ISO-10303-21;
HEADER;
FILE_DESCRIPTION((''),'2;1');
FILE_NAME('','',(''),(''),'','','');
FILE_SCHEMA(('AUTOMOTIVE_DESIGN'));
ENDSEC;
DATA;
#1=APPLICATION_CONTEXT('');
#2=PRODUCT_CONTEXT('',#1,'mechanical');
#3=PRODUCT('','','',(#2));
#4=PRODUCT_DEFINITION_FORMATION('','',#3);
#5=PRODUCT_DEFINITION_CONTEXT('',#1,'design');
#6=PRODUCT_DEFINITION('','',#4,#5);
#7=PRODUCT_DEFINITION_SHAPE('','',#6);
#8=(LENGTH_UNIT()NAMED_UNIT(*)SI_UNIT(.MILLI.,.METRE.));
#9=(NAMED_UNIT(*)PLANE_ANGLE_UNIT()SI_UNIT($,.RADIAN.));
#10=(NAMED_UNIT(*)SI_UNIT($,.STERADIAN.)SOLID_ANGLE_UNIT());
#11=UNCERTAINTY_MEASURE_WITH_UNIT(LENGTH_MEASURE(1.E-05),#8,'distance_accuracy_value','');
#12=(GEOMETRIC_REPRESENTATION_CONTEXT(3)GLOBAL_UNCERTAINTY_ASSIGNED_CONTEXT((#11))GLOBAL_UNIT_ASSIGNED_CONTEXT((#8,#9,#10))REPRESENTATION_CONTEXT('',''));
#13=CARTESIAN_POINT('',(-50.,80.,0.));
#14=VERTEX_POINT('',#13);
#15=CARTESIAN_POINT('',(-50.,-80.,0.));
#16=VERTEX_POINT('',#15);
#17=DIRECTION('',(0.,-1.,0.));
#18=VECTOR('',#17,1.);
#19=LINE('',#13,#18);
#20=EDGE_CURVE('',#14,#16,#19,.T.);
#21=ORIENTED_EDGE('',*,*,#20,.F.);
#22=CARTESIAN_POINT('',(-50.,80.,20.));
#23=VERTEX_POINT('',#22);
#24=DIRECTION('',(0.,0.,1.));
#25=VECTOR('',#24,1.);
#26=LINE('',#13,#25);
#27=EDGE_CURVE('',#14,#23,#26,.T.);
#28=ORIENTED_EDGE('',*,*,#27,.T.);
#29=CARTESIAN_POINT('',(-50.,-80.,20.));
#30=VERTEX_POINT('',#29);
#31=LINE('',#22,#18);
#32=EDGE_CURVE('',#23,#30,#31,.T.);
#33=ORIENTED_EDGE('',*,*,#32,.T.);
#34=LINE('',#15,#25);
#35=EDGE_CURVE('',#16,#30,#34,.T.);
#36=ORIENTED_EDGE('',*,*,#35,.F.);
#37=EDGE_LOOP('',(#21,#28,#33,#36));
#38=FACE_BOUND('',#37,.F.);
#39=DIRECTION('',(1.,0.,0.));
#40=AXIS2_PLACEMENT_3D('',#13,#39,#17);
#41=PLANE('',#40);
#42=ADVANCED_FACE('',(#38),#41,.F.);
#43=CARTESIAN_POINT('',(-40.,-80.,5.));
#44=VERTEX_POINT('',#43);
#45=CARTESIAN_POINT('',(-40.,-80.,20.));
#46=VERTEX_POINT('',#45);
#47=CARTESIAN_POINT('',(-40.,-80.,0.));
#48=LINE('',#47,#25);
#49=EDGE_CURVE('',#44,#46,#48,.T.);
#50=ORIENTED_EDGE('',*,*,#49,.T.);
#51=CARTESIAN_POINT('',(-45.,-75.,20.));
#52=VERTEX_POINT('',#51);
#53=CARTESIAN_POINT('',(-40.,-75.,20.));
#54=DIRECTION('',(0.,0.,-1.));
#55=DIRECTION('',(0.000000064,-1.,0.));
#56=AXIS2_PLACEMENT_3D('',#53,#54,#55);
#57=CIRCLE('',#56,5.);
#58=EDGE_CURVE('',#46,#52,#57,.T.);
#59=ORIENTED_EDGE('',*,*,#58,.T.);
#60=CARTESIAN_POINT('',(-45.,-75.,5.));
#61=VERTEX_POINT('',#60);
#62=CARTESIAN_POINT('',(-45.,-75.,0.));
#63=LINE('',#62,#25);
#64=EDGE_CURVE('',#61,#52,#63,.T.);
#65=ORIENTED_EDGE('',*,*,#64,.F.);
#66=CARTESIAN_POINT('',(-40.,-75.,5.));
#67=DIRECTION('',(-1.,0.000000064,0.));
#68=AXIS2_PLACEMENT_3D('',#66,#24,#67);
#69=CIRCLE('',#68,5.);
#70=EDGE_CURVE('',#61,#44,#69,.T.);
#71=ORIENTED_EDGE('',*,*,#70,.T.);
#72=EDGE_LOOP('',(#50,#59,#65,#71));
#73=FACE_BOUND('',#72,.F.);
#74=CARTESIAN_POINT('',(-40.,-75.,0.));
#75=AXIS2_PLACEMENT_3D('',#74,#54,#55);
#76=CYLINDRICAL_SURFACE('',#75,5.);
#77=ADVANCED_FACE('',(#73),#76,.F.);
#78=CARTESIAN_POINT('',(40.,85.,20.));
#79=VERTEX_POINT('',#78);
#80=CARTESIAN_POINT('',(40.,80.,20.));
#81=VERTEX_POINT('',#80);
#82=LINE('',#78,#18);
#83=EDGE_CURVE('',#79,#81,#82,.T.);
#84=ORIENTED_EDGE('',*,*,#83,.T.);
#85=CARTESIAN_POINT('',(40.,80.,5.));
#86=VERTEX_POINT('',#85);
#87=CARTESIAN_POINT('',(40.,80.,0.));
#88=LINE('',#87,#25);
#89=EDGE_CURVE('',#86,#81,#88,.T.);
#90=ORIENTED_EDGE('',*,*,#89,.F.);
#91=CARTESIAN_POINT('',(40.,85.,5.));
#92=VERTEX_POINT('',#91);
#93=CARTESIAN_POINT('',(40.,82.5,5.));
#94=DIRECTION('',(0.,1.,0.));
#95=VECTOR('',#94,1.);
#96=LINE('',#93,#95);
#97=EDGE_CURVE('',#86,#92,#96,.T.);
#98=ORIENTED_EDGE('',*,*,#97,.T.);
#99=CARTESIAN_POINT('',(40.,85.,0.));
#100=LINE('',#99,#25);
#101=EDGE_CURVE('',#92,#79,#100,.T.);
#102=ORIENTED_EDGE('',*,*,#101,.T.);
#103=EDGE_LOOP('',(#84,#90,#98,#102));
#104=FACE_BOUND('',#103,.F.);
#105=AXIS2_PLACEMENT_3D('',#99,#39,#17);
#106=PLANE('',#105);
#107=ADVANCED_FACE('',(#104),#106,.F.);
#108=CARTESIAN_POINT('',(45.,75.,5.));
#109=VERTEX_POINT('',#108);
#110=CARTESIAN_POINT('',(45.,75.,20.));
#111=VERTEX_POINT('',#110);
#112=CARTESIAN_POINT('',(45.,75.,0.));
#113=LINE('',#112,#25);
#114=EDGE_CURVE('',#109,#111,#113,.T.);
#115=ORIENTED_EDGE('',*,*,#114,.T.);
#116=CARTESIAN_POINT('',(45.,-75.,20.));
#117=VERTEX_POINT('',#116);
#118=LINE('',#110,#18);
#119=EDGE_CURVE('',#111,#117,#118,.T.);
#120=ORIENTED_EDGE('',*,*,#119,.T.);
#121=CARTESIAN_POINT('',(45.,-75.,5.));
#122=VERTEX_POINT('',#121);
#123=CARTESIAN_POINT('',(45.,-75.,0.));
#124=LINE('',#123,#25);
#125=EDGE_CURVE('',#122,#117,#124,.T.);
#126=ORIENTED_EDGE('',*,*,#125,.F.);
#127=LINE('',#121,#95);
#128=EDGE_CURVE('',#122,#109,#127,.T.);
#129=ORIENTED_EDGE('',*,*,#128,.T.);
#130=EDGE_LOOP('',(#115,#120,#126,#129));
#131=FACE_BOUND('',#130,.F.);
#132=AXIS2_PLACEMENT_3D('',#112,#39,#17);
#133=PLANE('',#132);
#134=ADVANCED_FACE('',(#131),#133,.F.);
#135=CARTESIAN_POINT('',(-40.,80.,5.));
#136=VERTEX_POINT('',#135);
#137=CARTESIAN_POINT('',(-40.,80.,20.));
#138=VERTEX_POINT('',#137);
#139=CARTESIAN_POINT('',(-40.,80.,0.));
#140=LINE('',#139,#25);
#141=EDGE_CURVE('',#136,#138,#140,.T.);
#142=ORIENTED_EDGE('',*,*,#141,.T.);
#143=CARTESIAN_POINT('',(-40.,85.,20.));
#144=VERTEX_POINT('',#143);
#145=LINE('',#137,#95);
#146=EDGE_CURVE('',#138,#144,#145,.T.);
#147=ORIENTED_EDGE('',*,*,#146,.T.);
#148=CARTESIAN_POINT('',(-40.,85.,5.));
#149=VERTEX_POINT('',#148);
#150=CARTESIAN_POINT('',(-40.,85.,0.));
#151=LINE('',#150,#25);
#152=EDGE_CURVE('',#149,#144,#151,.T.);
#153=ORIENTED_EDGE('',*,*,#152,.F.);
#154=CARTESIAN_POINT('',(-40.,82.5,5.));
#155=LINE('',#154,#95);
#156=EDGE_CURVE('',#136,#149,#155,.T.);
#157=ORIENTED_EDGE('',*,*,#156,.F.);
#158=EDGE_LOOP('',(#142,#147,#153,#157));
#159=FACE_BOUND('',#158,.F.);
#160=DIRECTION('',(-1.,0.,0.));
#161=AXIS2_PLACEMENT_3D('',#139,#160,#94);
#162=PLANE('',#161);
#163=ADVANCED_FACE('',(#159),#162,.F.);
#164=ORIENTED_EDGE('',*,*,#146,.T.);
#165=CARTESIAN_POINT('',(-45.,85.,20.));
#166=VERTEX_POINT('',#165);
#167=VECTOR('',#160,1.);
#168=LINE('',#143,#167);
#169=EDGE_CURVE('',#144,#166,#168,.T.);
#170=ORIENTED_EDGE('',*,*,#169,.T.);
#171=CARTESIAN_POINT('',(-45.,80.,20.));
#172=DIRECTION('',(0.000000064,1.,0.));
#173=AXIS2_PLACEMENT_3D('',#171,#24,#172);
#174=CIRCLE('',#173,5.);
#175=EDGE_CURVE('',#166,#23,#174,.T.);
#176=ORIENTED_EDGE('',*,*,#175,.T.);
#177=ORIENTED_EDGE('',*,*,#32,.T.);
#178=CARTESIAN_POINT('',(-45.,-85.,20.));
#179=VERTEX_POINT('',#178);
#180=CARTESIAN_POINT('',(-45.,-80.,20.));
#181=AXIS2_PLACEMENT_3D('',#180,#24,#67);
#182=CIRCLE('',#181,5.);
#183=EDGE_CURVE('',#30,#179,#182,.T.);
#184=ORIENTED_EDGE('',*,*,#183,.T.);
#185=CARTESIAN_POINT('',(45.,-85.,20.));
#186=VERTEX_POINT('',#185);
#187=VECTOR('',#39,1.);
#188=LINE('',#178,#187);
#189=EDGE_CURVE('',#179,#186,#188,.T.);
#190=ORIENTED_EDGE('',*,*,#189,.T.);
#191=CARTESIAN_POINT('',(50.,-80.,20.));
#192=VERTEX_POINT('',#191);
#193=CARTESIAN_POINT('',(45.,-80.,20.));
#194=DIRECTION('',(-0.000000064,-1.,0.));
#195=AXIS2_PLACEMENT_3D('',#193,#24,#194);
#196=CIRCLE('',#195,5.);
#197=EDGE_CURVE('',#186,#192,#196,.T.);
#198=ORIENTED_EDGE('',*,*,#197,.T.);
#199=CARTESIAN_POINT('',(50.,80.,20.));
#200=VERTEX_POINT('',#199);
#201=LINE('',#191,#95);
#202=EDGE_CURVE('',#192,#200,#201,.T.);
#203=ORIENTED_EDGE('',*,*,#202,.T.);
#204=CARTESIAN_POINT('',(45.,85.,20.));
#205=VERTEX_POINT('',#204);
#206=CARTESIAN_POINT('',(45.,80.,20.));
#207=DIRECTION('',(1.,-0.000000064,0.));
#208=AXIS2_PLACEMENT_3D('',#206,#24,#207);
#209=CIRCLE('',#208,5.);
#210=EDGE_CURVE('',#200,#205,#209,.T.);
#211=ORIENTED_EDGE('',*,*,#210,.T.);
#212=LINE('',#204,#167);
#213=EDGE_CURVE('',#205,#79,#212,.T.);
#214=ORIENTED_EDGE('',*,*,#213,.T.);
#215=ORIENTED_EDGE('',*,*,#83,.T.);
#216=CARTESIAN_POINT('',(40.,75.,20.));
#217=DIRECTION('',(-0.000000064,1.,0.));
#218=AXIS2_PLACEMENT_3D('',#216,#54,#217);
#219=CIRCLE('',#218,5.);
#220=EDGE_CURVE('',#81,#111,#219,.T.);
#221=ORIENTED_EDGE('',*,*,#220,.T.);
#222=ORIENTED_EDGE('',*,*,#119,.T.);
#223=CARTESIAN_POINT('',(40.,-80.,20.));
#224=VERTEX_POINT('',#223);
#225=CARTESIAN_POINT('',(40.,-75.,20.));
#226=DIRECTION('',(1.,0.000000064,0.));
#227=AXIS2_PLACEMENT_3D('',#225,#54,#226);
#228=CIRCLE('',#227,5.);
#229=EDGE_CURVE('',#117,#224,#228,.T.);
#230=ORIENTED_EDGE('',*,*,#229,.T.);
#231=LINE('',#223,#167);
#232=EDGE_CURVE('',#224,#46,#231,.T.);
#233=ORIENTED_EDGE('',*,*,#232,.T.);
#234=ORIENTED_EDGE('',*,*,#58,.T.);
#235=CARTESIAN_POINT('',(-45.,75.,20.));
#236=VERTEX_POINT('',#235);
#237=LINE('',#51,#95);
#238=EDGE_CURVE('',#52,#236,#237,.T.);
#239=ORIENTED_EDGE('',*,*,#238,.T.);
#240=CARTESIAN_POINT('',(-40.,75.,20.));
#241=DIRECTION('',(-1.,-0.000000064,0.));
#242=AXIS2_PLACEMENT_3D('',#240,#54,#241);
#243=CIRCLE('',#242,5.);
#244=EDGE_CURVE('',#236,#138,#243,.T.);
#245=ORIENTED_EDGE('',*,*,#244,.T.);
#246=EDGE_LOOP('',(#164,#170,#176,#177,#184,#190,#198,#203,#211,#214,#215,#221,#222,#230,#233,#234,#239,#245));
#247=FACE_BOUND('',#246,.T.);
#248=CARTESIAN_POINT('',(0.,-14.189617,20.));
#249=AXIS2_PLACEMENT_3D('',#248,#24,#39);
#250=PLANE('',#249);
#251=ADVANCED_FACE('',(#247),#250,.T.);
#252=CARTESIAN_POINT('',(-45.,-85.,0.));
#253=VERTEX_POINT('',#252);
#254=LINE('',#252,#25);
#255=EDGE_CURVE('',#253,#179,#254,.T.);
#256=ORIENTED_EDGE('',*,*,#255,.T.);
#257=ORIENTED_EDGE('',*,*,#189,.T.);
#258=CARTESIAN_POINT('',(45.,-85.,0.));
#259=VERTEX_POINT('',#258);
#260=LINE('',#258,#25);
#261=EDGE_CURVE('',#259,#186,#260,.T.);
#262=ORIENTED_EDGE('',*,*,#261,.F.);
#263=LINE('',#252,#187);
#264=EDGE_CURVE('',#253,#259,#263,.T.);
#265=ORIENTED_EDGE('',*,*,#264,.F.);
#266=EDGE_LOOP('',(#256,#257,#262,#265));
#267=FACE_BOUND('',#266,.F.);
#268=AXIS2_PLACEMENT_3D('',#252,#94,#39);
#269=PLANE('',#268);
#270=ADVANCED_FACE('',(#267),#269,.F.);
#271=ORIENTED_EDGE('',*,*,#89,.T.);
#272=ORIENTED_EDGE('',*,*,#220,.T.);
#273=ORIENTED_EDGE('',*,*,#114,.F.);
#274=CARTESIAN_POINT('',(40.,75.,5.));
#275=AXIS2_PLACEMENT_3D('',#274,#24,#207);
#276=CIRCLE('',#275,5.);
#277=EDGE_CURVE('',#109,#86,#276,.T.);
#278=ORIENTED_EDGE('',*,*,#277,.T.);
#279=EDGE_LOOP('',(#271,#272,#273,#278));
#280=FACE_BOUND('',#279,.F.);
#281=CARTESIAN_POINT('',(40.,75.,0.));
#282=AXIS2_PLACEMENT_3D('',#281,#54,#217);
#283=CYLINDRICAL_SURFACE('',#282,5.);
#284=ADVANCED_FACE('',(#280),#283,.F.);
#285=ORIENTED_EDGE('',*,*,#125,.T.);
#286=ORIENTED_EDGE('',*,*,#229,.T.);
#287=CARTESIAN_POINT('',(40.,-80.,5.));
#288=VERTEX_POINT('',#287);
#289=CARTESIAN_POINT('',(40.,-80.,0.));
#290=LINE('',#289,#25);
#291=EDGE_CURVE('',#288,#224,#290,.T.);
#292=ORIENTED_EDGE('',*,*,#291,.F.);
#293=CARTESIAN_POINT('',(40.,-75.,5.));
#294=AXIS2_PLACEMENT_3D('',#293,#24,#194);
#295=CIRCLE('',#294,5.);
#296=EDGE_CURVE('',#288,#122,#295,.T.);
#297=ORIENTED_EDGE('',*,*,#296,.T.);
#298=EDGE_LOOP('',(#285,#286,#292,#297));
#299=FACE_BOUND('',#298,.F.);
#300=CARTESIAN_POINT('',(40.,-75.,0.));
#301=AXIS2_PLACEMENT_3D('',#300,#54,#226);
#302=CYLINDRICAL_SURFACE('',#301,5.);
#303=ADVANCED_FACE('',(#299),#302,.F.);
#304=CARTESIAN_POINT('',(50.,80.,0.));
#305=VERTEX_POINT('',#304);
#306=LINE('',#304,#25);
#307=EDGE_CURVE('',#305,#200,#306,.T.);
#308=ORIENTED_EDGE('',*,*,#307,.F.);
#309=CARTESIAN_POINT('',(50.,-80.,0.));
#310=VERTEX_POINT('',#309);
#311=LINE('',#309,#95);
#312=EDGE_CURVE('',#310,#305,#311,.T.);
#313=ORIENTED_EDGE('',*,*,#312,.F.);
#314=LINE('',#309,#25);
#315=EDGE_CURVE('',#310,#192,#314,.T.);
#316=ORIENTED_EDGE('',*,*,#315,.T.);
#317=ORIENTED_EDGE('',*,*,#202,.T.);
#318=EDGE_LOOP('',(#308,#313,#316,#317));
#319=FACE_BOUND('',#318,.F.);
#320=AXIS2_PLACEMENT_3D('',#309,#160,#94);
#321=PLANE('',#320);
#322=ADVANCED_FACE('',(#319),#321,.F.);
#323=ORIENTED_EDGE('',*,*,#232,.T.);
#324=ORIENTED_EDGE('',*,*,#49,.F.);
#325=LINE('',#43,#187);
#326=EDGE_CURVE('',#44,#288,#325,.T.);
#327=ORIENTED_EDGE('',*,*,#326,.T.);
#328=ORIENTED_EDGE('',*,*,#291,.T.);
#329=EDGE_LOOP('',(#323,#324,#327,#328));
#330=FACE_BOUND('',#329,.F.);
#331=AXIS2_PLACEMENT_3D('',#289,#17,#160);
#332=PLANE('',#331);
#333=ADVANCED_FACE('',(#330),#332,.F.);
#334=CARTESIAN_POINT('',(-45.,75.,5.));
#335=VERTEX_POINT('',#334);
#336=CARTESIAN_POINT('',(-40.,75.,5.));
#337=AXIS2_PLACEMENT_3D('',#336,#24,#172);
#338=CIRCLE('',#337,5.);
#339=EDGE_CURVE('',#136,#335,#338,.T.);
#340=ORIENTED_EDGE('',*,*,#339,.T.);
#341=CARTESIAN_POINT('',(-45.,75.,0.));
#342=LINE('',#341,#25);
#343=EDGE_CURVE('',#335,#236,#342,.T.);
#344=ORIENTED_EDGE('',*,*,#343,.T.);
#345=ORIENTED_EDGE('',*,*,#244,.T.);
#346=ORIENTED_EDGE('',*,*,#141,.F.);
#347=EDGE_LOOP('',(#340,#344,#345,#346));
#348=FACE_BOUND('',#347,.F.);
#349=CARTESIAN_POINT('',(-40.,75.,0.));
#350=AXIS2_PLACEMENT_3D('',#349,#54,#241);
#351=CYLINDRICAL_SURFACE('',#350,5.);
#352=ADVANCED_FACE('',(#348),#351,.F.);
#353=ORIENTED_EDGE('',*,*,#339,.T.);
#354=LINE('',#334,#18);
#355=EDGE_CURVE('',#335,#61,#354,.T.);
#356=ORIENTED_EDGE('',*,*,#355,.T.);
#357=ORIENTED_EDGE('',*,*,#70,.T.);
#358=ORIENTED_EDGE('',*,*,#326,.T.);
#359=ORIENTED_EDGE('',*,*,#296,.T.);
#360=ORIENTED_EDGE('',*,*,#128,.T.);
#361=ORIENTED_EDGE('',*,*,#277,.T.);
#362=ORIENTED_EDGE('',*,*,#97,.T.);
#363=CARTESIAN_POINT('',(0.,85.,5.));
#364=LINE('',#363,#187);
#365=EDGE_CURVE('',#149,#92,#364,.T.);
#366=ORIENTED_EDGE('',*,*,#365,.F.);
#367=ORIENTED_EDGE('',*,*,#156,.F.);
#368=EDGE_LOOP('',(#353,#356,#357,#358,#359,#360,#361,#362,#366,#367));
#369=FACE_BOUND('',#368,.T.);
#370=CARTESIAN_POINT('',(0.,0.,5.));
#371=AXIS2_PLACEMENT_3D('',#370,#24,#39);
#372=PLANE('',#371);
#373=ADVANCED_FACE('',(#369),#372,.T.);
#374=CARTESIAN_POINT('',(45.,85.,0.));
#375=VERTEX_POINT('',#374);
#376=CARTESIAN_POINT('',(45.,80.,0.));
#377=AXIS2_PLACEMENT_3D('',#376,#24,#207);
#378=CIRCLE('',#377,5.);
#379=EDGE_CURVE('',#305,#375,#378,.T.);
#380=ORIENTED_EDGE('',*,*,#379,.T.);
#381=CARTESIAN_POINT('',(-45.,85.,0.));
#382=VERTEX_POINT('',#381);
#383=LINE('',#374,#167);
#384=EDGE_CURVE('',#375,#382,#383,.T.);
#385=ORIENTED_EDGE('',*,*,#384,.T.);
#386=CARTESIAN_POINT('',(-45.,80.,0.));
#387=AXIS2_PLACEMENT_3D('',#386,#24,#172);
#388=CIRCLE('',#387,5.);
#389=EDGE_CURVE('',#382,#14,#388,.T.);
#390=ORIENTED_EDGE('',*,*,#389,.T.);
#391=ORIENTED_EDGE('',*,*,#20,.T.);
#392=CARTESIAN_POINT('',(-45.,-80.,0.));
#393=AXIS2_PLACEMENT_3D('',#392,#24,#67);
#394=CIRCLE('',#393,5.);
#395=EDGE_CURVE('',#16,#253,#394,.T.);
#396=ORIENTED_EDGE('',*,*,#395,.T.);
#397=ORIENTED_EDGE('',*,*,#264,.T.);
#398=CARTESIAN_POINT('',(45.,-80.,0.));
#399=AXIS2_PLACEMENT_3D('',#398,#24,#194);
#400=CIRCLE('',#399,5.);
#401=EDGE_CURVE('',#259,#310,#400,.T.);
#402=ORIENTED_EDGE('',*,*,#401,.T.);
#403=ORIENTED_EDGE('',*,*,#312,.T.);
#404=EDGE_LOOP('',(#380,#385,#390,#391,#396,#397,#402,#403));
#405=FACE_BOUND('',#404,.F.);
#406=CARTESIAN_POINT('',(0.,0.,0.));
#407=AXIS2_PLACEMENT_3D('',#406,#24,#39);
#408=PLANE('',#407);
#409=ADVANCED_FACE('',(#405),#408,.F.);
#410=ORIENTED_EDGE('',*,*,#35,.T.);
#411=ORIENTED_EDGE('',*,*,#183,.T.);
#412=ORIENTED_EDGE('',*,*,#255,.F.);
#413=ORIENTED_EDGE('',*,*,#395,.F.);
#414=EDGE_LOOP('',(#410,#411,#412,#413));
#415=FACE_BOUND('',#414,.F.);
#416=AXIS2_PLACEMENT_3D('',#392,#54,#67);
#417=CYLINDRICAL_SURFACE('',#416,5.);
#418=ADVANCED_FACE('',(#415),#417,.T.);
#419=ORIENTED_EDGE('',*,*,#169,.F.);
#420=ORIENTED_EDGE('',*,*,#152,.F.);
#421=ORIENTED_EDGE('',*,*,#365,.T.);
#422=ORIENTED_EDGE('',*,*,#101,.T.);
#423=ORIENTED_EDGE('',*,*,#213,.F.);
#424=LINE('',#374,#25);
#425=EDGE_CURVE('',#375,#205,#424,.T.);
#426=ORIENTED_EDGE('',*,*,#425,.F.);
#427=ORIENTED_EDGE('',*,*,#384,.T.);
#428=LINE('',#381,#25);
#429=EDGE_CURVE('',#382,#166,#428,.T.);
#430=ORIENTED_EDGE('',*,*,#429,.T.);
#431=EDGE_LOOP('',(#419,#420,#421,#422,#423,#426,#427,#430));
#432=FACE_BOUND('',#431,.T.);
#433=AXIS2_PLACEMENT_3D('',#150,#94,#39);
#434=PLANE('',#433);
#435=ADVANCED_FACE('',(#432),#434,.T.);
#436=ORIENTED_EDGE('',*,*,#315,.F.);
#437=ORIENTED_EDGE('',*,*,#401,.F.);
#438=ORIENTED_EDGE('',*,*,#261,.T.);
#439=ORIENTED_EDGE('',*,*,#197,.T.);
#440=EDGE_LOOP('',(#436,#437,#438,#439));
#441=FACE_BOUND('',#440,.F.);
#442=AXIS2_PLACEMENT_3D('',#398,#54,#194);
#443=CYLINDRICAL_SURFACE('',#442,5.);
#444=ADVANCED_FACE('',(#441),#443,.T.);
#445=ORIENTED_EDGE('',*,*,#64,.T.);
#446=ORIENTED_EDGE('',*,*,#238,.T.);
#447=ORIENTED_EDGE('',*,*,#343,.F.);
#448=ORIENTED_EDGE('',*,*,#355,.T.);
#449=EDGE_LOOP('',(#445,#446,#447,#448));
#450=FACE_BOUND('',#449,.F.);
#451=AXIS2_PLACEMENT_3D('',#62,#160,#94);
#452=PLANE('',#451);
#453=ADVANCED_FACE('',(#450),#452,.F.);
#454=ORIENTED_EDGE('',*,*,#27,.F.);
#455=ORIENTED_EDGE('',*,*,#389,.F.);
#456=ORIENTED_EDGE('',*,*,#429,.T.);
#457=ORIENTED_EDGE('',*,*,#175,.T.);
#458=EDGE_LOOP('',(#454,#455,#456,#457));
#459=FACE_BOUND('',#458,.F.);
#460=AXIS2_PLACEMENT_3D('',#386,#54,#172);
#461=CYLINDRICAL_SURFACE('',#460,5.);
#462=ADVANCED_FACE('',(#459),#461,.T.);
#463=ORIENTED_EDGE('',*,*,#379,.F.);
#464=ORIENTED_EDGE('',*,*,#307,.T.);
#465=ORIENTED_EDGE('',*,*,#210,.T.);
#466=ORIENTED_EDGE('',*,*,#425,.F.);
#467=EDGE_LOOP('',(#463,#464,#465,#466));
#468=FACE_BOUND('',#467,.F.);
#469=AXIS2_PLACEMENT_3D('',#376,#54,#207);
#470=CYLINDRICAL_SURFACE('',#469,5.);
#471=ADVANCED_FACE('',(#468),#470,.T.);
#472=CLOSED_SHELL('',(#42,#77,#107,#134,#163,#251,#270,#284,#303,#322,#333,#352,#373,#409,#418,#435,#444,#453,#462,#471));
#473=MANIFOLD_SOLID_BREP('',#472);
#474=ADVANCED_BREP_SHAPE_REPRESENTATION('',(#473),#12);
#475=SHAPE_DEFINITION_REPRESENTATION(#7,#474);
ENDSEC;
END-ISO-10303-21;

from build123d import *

# Parameters (mm, degrees)
F1_DEPTH = 20
F0_W     = 80
F0_H     = 5
F2_DEPTH = 5


with BuildPart() as f1:
    # F0 (on Top) → F1 (new body)
    with BuildSketch(Plane.XY):
        with BuildLine():
            ThreePointArc((-50, -80), (-48.535534, -83.535534), (-45, -85))
            Line((-45, -85), (45, -85))
            ThreePointArc((45, -85), (48.535534, -83.535534), (50, -80))
            Line((50, -80), (50, 80))
            ThreePointArc((50, 80), (48.535534, 83.535534), (45, 85))
            Line((45, 85), (40, 85))
            Line((40, 85), (40, 80))
            ThreePointArc((40, 80), (43.535534, 78.535534), (45, 75))
            Line((45, 75), (45, -75))
            ThreePointArc((45, -75), (43.535534, -78.535534), (40, -80))
            Line((40, -80), (-40, -80))
            ThreePointArc((-40, -80), (-43.535534, -78.535534), (-45, -75))
            Line((-45, -75), (-45, 75))
            ThreePointArc((-45, 75), (-43.535534, 78.535534), (-40, 80))
            Line((-40, 80), (-40, 85))
            Line((-40, 85), (-45, 85))
            ThreePointArc((-45, 85), (-48.535534, 83.535534), (-50, 80))
            Line((-50, 80), (-50, -80))
        make_face()
    extrude(amount=F1_DEPTH)

    # F0 (on Top) → F2 (join)
    with BuildSketch(Plane.XY):
        with BuildLine():
            Line((40, 80), (-40, 80))
            ThreePointArc((-40, 80), (-43.535534, 78.535534), (-45, 75))
            Line((-45, 75), (-45, -75))
            ThreePointArc((-45, -75), (-43.535534, -78.535534), (-40, -80))
            Line((-40, -80), (40, -80))
            ThreePointArc((40, -80), (43.535534, -78.535534), (45, -75))
            Line((45, -75), (45, 75))
            ThreePointArc((45, 75), (43.535534, 78.535534), (40, 80))
        make_face()
        with Locations((0, 82.5)):
            Rectangle(F0_W, F0_H)
    extrude(amount=F2_DEPTH)


solid = f1.part
